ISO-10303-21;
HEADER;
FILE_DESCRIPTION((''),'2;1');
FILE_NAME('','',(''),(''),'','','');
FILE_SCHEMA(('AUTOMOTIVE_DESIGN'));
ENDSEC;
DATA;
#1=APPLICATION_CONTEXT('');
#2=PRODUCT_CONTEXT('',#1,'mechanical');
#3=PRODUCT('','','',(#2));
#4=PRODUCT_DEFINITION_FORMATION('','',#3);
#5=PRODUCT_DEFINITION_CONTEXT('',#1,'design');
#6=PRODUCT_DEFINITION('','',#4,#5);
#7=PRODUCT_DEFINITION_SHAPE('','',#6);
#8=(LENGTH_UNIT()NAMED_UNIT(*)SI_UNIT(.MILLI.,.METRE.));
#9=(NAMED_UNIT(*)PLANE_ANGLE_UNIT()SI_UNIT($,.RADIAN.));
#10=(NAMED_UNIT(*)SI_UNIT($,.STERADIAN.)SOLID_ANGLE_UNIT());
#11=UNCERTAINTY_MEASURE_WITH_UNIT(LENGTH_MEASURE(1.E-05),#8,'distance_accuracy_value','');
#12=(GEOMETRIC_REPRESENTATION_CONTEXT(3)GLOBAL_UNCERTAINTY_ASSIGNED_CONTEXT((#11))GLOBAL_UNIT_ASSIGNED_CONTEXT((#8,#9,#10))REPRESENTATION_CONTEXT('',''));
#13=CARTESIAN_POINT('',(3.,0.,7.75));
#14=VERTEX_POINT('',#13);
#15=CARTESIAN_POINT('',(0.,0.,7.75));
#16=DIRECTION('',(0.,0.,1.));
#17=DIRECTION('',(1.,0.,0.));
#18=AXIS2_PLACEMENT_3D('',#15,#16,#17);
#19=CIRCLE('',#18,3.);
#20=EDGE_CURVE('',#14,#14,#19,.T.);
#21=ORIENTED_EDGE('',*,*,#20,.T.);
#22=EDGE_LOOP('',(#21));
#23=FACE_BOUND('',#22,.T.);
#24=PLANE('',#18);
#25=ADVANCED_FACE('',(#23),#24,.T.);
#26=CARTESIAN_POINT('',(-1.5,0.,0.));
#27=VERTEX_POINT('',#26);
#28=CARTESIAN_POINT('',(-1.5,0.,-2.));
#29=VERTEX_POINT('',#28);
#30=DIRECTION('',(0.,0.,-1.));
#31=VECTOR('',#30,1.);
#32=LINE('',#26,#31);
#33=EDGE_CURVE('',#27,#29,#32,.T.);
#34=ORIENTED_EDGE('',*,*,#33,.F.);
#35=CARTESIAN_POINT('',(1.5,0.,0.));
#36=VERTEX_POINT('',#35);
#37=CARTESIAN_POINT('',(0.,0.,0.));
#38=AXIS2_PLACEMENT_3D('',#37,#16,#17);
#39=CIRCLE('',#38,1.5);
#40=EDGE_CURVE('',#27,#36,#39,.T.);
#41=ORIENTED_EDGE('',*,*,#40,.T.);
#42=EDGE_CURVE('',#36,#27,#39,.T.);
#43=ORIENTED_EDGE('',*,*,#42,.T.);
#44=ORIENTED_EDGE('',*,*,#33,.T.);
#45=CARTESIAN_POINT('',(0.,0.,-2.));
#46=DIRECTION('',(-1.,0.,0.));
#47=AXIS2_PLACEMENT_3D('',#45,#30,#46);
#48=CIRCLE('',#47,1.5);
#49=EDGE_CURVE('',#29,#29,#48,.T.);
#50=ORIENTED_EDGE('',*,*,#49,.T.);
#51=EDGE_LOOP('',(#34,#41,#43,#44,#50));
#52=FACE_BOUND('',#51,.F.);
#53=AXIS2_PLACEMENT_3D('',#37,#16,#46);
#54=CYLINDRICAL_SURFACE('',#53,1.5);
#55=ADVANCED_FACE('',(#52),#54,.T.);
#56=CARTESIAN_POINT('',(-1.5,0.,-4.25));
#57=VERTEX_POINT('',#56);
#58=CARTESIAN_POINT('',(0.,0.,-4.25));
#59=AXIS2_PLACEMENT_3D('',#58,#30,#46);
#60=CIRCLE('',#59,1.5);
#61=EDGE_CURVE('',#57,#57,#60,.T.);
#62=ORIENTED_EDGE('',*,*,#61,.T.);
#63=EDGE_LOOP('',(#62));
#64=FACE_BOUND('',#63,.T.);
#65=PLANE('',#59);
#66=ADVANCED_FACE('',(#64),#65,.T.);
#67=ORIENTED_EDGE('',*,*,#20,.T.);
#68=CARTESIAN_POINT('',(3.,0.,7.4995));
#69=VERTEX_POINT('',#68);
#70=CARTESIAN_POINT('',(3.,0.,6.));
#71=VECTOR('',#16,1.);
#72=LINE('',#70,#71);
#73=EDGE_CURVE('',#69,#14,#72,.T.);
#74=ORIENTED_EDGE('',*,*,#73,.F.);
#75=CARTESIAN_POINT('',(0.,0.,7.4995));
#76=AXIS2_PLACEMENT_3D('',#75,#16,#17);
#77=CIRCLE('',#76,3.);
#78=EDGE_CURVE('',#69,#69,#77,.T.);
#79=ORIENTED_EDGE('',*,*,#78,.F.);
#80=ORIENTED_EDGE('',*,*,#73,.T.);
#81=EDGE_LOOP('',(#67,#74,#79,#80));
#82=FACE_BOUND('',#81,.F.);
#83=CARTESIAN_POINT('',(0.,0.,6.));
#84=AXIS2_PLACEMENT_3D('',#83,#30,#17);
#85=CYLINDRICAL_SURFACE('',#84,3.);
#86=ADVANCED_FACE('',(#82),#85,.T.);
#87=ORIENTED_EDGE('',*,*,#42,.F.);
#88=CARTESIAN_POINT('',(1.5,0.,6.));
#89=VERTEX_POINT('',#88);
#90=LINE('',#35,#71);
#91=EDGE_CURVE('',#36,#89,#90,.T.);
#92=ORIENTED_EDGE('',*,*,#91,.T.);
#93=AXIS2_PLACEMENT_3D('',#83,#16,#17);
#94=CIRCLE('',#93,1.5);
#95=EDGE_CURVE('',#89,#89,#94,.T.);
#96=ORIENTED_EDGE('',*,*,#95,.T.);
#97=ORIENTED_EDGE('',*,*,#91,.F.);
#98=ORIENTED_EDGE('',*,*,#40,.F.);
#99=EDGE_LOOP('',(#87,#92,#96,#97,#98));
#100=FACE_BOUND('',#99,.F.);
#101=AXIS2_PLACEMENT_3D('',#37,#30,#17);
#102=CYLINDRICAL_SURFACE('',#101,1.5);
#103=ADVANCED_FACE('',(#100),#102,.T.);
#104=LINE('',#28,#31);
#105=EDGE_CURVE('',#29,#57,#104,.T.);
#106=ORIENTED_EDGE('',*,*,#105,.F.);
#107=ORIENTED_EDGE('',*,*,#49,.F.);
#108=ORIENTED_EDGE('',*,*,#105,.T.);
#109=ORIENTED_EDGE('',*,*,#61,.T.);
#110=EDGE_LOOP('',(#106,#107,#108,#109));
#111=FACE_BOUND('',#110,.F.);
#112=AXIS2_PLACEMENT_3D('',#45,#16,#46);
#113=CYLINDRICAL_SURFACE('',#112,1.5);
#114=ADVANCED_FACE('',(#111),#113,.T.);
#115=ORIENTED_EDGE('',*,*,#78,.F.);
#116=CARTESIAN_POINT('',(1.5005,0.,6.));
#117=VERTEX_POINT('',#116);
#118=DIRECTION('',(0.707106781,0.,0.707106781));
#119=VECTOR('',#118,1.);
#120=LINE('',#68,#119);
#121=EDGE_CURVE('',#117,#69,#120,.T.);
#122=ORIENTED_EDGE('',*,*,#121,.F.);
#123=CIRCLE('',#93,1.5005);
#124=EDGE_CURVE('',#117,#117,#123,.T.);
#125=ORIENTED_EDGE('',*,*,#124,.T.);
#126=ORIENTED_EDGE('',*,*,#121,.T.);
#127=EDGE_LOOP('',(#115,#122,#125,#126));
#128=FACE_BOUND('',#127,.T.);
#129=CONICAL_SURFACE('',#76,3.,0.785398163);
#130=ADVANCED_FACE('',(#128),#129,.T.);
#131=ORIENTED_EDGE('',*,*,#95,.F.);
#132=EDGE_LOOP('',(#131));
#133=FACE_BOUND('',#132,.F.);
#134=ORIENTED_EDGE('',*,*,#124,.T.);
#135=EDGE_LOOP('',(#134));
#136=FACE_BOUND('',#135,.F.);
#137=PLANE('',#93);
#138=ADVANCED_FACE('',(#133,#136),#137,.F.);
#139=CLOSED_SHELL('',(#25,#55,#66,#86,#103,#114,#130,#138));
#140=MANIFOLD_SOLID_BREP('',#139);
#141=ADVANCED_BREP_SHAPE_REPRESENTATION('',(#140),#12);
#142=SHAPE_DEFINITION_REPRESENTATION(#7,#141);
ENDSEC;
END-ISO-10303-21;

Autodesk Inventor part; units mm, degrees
ref_plane "YZ Plane" through (0, 0, 0) normal (1, 0, 0) x (0, 1, 0)
ref_plane "XZ Plane" through (0, 0, 0) normal (0, 1, 0) x (-1, 0, 0)
ref_plane "XY Plane" through (0, 0, 0) normal (0, 0, 1) x (1, 0, 0)
sketch "スケッチ1" plane through (0, 0, 0) normal (0, 0, 1) x (1, 0, 0)
  circle A0 centre (0, 0) radius 1.5
  dimension "d0" = 3
extrude "押し出し1" add sketch "スケッチ1" along normal blind 6
sketch "スケッチ2" plane through (0, 0, 6) normal (0, 0, 1) x (1, 0, 0)
  circle A0 centre (0, 0) radius 1.5 projected
  circle A1 centre (0, 0) radius 3
  dimension "d3" = 6
extrude "押し出し2" add sketch "スケッチ2" along normal blind 1.75 contours A0 | A1
thread "ねじ1" size "M3x0.5" class "6g" standard "ANSI Metric M Profile" full length
chamfer "面取り1" distance 1.5 angle 45 1 edges at (-3, 0, 6)
sketch "スケッチ4" plane through (0, 0, 0) normal (0, 0, -1) x (-1, 0, 0)
  circle A0 centre (0, 0) radius 1.5 projected
extrude "押し出し4" add sketch "スケッチ4" along normal blind 4
sketch "スケッチ5" plane through (0, 0, -4) normal (0, 0, -1) x (-1, 0, 0)
  circle A0 centre (0, 0) radius 1.5 projected
extrude "押し出し5" cut sketch "スケッチ5" against normal blind 2
sketch "スケッチ6" plane through (0, 0, -2) normal (0, 0, -1) x (-1, 0, 0)
  circle A0 centre (0, 0) radius 1.5 projected
extrude "押し出し6" add sketch "スケッチ6" along normal blind 2.25
properties part number "SB　12mm皿ネジ" material "Steel, Mild"
